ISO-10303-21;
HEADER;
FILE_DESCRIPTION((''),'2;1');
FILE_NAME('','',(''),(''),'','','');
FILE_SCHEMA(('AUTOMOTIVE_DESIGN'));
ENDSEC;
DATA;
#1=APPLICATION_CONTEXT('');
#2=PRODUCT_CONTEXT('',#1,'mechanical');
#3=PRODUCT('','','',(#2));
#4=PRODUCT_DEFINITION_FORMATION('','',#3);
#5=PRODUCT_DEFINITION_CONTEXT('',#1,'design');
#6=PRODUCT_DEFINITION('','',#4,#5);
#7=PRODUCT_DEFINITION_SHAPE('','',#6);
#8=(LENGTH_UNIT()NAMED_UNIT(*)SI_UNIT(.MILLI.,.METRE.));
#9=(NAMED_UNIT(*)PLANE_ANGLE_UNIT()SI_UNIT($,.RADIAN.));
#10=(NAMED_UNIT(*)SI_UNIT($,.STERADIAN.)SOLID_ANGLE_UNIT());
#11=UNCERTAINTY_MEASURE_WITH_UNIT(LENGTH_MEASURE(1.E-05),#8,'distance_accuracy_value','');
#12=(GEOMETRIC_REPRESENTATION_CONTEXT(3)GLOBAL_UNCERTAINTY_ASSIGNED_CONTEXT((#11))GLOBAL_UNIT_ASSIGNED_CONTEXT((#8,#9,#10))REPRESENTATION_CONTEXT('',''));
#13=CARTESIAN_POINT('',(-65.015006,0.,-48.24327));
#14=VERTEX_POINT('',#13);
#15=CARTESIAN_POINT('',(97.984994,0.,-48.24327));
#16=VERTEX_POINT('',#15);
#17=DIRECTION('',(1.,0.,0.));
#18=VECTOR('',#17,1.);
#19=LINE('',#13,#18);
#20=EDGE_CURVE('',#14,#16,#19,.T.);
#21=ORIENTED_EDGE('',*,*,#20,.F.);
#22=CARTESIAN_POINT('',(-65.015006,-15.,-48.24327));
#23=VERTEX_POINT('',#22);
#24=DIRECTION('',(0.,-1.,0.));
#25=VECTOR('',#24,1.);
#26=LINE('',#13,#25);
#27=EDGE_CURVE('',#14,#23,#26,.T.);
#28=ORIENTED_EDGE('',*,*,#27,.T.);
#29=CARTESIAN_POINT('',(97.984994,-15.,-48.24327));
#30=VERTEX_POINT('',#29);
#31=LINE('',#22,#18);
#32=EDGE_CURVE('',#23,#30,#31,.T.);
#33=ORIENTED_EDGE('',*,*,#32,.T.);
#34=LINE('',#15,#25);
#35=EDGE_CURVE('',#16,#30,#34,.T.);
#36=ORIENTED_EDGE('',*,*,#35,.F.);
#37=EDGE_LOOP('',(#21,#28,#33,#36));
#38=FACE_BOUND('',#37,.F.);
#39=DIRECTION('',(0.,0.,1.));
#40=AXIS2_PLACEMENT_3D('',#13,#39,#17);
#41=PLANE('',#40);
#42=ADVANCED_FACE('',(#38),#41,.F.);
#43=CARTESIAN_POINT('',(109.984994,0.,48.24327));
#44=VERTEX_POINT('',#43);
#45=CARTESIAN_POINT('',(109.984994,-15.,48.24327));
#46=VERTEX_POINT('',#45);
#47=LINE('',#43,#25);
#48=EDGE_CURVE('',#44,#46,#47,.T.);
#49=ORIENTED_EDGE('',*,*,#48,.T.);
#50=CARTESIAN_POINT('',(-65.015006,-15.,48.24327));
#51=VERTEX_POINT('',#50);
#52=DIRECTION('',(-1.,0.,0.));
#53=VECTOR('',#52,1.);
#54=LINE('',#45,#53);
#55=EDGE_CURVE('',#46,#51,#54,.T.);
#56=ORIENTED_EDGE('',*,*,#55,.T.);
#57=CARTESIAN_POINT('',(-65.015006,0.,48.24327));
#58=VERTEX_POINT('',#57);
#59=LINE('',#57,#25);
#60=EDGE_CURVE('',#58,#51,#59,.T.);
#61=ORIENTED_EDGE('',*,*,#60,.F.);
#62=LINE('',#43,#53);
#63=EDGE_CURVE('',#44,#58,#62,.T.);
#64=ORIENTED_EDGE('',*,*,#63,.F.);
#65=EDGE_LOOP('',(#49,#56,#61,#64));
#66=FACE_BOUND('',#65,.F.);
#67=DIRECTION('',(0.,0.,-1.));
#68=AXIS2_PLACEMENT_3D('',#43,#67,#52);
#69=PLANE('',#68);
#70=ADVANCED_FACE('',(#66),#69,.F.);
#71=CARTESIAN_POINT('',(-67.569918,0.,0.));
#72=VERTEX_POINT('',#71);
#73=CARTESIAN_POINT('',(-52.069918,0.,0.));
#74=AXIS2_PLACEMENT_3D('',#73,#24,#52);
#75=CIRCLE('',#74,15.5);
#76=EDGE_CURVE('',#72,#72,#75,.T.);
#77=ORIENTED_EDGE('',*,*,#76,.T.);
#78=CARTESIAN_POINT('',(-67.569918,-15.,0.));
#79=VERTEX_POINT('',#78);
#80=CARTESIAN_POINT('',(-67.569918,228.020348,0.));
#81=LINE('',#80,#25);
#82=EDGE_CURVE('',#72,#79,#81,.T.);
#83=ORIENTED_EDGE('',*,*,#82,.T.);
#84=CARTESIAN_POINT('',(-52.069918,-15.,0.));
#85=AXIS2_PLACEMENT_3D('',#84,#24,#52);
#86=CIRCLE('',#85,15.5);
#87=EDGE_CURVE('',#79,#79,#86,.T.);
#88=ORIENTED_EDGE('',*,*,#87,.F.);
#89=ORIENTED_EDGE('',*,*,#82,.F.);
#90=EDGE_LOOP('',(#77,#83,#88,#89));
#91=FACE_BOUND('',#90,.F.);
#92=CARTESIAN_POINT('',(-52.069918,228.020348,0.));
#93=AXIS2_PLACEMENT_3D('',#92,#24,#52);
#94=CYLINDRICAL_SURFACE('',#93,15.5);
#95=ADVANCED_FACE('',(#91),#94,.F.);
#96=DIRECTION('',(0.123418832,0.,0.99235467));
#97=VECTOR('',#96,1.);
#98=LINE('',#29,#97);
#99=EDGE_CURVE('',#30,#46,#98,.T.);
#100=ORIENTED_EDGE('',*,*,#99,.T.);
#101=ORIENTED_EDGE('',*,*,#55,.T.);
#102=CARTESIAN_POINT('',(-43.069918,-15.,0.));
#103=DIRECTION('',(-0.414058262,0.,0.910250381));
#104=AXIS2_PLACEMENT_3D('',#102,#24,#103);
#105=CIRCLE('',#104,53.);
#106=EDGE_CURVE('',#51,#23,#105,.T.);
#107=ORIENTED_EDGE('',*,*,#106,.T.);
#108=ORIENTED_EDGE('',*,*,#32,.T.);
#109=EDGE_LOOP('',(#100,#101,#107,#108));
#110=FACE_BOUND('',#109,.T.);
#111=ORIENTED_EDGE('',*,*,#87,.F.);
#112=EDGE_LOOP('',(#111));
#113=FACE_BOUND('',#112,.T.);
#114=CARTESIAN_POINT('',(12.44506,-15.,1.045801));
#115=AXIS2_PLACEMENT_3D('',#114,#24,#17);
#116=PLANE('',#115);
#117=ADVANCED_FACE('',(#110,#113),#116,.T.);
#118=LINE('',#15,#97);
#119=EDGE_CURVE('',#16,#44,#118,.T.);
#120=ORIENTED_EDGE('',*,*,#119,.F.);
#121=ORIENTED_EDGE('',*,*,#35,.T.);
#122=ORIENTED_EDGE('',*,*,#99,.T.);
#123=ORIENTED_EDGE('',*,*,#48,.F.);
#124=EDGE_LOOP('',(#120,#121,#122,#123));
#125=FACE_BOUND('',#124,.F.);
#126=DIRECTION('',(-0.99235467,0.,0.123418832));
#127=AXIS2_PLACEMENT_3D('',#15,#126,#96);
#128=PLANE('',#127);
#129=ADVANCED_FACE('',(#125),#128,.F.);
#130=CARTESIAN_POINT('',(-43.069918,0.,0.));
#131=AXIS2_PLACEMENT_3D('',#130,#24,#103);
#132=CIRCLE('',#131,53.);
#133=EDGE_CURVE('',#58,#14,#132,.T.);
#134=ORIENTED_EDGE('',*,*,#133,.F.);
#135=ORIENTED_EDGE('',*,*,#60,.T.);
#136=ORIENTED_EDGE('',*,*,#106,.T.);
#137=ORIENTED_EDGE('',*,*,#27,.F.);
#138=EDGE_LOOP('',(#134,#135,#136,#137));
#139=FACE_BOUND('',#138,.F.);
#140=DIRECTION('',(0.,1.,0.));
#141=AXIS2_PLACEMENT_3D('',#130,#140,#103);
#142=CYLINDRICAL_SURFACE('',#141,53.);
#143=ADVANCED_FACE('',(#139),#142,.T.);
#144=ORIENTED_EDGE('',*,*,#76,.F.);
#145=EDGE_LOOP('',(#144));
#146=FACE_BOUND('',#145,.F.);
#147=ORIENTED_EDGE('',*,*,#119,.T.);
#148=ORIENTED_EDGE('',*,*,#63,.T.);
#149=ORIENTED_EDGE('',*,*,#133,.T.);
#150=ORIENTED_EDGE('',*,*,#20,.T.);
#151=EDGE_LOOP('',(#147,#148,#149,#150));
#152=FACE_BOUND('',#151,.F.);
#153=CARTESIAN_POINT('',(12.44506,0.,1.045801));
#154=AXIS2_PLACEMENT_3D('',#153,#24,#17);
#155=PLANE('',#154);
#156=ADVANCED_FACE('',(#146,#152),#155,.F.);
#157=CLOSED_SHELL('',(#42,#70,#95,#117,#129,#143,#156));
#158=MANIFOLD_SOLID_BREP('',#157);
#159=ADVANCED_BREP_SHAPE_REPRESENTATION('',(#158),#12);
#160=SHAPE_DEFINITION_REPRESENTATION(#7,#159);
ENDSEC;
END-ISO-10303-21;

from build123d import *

# Parameters (mm, degrees)
F1_DEPTH = 15
F2_D     = 31


with BuildPart() as f1:
    # F0 (on Front) → F1 (new body)
    with BuildSketch(Plane.XZ):
        with BuildLine():
            ThreePointArc((-65.015006, 48.24327), (-96.069918, 0), (-65.015006, -48.24327))
            Line((-65.015006, -48.24327), (97.984994, -48.24327))
            Line((97.984994, -48.24327), (109.984994, 48.24327))
            Line((109.984994, 48.24327), (-65.015006, 48.24327))
        make_face()
    extrude(amount=F1_DEPTH)

    # F2 (through all)
    with Locations(Plane(origin=(0, 0, 0), x_dir=(1, 0, 0), z_dir=(0, 1, 0))):
        with Locations((-52.069918, 0)):
            Hole(F2_D / 2)


solid = f1.part
